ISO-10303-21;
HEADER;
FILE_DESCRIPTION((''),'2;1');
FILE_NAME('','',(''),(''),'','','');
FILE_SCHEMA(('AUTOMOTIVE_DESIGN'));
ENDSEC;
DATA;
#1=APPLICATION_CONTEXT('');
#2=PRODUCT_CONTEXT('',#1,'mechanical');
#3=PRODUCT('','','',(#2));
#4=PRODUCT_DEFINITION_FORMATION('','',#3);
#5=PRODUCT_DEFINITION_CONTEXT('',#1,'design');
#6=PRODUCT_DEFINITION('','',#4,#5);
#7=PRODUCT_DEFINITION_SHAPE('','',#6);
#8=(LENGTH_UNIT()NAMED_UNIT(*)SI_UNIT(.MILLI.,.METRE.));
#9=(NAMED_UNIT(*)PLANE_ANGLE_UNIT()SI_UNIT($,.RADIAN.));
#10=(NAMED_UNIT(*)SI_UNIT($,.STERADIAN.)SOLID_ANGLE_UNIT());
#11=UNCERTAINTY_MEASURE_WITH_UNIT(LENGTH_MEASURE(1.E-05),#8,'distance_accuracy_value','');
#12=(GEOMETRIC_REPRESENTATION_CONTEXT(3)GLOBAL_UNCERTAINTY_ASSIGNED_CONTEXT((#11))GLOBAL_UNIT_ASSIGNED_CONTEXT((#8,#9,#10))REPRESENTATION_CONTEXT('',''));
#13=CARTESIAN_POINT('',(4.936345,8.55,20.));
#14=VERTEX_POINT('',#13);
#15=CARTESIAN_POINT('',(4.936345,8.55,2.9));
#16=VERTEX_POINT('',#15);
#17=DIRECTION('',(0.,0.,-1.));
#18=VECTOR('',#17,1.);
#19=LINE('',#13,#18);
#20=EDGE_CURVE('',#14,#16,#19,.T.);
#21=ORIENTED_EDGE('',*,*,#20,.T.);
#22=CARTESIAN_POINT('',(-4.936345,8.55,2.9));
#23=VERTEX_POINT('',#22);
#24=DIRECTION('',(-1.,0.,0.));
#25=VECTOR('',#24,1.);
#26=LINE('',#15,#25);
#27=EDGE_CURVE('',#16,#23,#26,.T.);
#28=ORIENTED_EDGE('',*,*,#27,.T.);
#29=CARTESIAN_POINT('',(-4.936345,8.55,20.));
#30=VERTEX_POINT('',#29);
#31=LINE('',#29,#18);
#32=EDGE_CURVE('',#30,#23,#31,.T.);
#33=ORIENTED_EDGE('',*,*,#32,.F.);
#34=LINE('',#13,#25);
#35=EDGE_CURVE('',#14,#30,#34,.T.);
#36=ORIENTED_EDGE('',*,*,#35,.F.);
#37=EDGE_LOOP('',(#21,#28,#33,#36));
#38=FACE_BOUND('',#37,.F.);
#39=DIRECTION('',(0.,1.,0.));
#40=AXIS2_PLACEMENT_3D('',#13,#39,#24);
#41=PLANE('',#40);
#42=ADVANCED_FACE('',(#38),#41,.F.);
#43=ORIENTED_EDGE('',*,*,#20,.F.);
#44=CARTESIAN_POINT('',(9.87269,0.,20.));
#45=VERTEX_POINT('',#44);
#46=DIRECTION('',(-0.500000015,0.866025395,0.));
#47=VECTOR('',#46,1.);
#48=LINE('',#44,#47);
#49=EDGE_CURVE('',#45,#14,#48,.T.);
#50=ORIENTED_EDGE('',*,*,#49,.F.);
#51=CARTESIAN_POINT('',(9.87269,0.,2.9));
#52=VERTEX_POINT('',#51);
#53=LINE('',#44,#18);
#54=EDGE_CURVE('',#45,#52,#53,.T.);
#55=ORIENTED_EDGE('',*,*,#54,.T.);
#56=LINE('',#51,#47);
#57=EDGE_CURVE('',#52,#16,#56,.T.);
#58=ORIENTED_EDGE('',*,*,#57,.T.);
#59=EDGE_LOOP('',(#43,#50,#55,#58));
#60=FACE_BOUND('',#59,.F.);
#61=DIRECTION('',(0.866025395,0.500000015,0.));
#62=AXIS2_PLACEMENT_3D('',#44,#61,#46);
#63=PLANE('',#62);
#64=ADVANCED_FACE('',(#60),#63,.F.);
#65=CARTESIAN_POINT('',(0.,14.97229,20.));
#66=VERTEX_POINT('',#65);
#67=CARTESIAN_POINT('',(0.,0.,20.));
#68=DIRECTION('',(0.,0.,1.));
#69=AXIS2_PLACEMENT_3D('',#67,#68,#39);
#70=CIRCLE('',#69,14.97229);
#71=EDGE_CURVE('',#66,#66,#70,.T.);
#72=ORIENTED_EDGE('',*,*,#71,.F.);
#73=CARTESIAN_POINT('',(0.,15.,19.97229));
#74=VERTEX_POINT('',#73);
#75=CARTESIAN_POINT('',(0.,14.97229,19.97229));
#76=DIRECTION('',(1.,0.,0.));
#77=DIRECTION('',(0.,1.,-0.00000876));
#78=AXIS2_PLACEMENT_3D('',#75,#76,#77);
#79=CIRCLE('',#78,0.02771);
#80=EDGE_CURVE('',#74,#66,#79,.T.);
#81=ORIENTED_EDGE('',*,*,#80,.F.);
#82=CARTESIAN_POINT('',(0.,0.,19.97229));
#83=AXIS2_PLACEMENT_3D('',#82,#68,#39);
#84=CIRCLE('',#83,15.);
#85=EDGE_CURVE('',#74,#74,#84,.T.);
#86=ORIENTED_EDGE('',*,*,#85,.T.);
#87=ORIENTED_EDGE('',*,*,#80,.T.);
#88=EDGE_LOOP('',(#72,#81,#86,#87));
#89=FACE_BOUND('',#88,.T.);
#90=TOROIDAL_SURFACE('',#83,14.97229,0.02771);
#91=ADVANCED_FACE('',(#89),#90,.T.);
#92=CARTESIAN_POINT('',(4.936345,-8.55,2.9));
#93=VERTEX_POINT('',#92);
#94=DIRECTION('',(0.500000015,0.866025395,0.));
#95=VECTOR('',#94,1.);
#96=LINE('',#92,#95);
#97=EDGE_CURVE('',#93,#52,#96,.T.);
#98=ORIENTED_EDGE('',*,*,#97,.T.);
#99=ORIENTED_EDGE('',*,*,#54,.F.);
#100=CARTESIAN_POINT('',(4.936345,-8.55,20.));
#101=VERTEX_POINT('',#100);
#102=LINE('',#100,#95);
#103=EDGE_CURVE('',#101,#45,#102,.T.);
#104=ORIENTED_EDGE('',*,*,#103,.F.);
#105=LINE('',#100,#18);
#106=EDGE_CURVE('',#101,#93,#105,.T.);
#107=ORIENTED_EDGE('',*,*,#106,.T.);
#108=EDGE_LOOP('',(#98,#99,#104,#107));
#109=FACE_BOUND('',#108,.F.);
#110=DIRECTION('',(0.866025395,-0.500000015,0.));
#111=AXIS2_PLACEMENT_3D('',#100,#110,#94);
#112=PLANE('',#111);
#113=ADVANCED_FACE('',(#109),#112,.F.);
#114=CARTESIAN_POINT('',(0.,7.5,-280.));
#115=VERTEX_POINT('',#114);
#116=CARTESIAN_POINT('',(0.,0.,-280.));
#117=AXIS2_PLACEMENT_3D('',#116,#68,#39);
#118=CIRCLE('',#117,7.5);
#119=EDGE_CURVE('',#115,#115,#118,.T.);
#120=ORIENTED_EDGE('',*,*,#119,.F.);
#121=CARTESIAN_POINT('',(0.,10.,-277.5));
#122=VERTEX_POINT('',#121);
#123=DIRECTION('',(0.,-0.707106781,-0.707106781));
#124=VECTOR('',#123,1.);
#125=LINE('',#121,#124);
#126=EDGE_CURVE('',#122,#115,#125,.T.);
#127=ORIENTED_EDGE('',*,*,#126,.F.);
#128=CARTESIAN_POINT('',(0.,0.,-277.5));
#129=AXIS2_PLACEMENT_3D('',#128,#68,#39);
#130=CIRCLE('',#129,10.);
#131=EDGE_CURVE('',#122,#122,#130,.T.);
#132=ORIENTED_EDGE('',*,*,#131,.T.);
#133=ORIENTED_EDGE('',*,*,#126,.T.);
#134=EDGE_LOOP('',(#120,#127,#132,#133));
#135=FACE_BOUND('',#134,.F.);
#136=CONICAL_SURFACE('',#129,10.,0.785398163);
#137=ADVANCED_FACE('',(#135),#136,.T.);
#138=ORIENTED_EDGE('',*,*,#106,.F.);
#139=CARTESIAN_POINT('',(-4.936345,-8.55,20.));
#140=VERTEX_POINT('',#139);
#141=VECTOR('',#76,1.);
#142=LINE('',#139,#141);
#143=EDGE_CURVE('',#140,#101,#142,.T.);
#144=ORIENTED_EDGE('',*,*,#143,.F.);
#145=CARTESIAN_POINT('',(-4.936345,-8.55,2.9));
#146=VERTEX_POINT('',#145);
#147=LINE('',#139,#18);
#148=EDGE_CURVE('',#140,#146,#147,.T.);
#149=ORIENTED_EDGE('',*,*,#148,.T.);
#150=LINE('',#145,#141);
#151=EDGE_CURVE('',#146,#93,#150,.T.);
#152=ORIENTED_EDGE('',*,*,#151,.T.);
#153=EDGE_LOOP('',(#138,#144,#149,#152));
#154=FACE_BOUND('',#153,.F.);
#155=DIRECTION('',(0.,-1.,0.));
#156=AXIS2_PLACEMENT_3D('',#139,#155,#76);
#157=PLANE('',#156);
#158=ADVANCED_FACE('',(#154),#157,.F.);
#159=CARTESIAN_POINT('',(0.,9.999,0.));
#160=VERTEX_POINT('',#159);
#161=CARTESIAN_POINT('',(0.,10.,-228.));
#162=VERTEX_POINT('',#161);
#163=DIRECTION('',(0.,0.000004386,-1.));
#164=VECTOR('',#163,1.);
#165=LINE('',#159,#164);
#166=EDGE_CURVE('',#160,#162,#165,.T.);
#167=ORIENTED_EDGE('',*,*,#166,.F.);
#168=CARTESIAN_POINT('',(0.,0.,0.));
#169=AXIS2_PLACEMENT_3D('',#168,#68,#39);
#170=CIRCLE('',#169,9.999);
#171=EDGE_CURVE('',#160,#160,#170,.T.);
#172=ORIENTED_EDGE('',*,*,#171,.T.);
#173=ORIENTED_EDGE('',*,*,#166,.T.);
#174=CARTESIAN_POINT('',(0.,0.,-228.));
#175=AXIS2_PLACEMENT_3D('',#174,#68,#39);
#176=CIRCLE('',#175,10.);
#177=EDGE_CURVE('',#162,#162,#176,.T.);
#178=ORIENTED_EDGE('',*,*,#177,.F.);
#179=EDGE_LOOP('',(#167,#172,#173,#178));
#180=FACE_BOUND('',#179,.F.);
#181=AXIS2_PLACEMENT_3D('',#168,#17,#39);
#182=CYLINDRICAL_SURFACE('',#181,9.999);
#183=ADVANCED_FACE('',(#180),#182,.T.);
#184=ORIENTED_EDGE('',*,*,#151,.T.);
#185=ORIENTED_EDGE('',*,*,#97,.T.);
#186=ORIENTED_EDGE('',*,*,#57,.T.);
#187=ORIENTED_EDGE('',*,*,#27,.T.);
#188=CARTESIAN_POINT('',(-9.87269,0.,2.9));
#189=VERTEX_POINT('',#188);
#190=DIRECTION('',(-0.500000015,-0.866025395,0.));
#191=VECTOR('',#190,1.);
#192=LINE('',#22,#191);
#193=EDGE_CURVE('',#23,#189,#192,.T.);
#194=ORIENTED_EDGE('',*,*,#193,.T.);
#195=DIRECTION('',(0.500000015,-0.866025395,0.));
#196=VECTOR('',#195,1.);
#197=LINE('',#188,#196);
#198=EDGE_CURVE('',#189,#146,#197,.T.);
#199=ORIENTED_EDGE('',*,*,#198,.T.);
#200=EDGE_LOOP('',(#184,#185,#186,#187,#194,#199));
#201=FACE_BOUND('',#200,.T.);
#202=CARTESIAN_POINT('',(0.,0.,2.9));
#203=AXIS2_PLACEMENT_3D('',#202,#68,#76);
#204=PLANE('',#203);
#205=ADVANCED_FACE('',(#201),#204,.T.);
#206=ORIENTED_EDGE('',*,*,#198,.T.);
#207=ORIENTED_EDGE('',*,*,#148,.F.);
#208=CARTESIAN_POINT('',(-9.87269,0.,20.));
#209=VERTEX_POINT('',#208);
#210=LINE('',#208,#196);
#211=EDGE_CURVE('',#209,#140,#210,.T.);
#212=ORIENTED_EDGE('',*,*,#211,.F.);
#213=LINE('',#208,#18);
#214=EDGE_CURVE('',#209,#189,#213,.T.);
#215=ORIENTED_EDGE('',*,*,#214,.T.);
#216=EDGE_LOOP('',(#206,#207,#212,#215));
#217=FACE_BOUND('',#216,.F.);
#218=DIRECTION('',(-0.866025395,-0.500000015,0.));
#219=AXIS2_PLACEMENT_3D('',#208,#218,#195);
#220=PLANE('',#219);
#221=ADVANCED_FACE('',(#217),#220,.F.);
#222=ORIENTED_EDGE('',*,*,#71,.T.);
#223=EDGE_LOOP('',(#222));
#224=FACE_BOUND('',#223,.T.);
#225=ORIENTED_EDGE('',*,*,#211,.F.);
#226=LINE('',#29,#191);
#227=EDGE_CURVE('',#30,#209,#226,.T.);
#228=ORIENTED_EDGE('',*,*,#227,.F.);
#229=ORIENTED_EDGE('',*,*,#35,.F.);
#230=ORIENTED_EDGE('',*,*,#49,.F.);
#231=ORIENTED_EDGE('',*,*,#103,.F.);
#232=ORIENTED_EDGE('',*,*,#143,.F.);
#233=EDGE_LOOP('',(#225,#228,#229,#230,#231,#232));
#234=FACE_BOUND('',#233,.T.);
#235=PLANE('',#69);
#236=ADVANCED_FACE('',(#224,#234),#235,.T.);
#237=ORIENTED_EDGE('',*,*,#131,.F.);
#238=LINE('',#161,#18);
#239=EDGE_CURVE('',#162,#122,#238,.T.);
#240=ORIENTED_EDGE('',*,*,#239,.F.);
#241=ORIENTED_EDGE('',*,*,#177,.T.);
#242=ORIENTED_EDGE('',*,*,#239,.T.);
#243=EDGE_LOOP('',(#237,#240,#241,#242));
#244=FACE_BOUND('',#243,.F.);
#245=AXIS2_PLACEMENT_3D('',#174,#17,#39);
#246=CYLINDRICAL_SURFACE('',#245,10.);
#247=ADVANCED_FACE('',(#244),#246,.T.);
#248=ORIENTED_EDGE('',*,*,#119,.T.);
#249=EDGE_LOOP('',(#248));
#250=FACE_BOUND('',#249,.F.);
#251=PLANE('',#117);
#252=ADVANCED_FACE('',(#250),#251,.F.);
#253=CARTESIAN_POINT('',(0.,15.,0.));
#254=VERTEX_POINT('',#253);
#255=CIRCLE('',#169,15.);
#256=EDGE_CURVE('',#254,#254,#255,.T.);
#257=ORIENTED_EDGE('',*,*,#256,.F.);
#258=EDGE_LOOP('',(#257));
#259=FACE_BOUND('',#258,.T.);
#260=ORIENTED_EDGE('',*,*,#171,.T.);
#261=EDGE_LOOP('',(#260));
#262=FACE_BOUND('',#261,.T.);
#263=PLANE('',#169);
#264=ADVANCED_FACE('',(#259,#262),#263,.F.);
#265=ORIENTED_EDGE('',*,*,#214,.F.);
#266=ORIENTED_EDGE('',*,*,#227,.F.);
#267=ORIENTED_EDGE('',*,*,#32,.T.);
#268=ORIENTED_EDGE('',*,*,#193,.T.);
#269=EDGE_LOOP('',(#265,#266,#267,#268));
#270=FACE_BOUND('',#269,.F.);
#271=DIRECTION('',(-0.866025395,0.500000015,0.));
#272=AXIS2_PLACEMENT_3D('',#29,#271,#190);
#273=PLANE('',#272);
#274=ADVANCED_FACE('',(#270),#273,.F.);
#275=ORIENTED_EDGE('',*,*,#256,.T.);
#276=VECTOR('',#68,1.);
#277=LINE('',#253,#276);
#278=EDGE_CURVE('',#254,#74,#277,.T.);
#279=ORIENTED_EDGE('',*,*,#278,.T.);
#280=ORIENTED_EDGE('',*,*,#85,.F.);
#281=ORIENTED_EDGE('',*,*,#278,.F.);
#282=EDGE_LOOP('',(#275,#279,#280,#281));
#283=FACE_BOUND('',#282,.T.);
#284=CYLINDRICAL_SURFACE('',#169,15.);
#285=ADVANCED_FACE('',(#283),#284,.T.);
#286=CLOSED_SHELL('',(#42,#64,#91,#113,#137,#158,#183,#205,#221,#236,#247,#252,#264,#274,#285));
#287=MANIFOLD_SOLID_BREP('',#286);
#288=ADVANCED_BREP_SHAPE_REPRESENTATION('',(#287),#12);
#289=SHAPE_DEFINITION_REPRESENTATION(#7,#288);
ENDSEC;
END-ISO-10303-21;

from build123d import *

# Parameters (mm, degrees)
POCKET_DEPTH = 17.1


with BuildPart() as part:
    # Sketch → Revolve (revolve)
    with BuildSketch(Plane.YZ):
        with BuildLine():
            Line((9.999, 0), (15, 0))
            Line((15, 0), (15, 19.97229))
            ThreePointArc((15, 19.97229), (14.991884, 19.991884), (14.97229, 20))
            Line((14.97229, 20), (0, 20))
            Line((0, -280), (0, 20))
            Line((7.5, -280), (0, -280))
            Line((10, -277.5), (7.5, -280))
            Line((10, -228), (10, -277.5))
            Line((9.999, 0), (10, -228))
        make_face()
    revolve(axis=Axis((0, 0, 0), (0, 0, 1)))

    # Sketch001 → Pocket (cut)
    with BuildSketch(Plane.XY.offset(20)):
        Polygon((9.87269, 0), (4.936345, 8.55), (-4.936345, 8.55), (-9.87269, 0), (-4.936345, -8.55), (4.936345, -8.55), align=None)
    extrude(amount=-POCKET_DEPTH, mode=Mode.SUBTRACT)


solid = part.part
